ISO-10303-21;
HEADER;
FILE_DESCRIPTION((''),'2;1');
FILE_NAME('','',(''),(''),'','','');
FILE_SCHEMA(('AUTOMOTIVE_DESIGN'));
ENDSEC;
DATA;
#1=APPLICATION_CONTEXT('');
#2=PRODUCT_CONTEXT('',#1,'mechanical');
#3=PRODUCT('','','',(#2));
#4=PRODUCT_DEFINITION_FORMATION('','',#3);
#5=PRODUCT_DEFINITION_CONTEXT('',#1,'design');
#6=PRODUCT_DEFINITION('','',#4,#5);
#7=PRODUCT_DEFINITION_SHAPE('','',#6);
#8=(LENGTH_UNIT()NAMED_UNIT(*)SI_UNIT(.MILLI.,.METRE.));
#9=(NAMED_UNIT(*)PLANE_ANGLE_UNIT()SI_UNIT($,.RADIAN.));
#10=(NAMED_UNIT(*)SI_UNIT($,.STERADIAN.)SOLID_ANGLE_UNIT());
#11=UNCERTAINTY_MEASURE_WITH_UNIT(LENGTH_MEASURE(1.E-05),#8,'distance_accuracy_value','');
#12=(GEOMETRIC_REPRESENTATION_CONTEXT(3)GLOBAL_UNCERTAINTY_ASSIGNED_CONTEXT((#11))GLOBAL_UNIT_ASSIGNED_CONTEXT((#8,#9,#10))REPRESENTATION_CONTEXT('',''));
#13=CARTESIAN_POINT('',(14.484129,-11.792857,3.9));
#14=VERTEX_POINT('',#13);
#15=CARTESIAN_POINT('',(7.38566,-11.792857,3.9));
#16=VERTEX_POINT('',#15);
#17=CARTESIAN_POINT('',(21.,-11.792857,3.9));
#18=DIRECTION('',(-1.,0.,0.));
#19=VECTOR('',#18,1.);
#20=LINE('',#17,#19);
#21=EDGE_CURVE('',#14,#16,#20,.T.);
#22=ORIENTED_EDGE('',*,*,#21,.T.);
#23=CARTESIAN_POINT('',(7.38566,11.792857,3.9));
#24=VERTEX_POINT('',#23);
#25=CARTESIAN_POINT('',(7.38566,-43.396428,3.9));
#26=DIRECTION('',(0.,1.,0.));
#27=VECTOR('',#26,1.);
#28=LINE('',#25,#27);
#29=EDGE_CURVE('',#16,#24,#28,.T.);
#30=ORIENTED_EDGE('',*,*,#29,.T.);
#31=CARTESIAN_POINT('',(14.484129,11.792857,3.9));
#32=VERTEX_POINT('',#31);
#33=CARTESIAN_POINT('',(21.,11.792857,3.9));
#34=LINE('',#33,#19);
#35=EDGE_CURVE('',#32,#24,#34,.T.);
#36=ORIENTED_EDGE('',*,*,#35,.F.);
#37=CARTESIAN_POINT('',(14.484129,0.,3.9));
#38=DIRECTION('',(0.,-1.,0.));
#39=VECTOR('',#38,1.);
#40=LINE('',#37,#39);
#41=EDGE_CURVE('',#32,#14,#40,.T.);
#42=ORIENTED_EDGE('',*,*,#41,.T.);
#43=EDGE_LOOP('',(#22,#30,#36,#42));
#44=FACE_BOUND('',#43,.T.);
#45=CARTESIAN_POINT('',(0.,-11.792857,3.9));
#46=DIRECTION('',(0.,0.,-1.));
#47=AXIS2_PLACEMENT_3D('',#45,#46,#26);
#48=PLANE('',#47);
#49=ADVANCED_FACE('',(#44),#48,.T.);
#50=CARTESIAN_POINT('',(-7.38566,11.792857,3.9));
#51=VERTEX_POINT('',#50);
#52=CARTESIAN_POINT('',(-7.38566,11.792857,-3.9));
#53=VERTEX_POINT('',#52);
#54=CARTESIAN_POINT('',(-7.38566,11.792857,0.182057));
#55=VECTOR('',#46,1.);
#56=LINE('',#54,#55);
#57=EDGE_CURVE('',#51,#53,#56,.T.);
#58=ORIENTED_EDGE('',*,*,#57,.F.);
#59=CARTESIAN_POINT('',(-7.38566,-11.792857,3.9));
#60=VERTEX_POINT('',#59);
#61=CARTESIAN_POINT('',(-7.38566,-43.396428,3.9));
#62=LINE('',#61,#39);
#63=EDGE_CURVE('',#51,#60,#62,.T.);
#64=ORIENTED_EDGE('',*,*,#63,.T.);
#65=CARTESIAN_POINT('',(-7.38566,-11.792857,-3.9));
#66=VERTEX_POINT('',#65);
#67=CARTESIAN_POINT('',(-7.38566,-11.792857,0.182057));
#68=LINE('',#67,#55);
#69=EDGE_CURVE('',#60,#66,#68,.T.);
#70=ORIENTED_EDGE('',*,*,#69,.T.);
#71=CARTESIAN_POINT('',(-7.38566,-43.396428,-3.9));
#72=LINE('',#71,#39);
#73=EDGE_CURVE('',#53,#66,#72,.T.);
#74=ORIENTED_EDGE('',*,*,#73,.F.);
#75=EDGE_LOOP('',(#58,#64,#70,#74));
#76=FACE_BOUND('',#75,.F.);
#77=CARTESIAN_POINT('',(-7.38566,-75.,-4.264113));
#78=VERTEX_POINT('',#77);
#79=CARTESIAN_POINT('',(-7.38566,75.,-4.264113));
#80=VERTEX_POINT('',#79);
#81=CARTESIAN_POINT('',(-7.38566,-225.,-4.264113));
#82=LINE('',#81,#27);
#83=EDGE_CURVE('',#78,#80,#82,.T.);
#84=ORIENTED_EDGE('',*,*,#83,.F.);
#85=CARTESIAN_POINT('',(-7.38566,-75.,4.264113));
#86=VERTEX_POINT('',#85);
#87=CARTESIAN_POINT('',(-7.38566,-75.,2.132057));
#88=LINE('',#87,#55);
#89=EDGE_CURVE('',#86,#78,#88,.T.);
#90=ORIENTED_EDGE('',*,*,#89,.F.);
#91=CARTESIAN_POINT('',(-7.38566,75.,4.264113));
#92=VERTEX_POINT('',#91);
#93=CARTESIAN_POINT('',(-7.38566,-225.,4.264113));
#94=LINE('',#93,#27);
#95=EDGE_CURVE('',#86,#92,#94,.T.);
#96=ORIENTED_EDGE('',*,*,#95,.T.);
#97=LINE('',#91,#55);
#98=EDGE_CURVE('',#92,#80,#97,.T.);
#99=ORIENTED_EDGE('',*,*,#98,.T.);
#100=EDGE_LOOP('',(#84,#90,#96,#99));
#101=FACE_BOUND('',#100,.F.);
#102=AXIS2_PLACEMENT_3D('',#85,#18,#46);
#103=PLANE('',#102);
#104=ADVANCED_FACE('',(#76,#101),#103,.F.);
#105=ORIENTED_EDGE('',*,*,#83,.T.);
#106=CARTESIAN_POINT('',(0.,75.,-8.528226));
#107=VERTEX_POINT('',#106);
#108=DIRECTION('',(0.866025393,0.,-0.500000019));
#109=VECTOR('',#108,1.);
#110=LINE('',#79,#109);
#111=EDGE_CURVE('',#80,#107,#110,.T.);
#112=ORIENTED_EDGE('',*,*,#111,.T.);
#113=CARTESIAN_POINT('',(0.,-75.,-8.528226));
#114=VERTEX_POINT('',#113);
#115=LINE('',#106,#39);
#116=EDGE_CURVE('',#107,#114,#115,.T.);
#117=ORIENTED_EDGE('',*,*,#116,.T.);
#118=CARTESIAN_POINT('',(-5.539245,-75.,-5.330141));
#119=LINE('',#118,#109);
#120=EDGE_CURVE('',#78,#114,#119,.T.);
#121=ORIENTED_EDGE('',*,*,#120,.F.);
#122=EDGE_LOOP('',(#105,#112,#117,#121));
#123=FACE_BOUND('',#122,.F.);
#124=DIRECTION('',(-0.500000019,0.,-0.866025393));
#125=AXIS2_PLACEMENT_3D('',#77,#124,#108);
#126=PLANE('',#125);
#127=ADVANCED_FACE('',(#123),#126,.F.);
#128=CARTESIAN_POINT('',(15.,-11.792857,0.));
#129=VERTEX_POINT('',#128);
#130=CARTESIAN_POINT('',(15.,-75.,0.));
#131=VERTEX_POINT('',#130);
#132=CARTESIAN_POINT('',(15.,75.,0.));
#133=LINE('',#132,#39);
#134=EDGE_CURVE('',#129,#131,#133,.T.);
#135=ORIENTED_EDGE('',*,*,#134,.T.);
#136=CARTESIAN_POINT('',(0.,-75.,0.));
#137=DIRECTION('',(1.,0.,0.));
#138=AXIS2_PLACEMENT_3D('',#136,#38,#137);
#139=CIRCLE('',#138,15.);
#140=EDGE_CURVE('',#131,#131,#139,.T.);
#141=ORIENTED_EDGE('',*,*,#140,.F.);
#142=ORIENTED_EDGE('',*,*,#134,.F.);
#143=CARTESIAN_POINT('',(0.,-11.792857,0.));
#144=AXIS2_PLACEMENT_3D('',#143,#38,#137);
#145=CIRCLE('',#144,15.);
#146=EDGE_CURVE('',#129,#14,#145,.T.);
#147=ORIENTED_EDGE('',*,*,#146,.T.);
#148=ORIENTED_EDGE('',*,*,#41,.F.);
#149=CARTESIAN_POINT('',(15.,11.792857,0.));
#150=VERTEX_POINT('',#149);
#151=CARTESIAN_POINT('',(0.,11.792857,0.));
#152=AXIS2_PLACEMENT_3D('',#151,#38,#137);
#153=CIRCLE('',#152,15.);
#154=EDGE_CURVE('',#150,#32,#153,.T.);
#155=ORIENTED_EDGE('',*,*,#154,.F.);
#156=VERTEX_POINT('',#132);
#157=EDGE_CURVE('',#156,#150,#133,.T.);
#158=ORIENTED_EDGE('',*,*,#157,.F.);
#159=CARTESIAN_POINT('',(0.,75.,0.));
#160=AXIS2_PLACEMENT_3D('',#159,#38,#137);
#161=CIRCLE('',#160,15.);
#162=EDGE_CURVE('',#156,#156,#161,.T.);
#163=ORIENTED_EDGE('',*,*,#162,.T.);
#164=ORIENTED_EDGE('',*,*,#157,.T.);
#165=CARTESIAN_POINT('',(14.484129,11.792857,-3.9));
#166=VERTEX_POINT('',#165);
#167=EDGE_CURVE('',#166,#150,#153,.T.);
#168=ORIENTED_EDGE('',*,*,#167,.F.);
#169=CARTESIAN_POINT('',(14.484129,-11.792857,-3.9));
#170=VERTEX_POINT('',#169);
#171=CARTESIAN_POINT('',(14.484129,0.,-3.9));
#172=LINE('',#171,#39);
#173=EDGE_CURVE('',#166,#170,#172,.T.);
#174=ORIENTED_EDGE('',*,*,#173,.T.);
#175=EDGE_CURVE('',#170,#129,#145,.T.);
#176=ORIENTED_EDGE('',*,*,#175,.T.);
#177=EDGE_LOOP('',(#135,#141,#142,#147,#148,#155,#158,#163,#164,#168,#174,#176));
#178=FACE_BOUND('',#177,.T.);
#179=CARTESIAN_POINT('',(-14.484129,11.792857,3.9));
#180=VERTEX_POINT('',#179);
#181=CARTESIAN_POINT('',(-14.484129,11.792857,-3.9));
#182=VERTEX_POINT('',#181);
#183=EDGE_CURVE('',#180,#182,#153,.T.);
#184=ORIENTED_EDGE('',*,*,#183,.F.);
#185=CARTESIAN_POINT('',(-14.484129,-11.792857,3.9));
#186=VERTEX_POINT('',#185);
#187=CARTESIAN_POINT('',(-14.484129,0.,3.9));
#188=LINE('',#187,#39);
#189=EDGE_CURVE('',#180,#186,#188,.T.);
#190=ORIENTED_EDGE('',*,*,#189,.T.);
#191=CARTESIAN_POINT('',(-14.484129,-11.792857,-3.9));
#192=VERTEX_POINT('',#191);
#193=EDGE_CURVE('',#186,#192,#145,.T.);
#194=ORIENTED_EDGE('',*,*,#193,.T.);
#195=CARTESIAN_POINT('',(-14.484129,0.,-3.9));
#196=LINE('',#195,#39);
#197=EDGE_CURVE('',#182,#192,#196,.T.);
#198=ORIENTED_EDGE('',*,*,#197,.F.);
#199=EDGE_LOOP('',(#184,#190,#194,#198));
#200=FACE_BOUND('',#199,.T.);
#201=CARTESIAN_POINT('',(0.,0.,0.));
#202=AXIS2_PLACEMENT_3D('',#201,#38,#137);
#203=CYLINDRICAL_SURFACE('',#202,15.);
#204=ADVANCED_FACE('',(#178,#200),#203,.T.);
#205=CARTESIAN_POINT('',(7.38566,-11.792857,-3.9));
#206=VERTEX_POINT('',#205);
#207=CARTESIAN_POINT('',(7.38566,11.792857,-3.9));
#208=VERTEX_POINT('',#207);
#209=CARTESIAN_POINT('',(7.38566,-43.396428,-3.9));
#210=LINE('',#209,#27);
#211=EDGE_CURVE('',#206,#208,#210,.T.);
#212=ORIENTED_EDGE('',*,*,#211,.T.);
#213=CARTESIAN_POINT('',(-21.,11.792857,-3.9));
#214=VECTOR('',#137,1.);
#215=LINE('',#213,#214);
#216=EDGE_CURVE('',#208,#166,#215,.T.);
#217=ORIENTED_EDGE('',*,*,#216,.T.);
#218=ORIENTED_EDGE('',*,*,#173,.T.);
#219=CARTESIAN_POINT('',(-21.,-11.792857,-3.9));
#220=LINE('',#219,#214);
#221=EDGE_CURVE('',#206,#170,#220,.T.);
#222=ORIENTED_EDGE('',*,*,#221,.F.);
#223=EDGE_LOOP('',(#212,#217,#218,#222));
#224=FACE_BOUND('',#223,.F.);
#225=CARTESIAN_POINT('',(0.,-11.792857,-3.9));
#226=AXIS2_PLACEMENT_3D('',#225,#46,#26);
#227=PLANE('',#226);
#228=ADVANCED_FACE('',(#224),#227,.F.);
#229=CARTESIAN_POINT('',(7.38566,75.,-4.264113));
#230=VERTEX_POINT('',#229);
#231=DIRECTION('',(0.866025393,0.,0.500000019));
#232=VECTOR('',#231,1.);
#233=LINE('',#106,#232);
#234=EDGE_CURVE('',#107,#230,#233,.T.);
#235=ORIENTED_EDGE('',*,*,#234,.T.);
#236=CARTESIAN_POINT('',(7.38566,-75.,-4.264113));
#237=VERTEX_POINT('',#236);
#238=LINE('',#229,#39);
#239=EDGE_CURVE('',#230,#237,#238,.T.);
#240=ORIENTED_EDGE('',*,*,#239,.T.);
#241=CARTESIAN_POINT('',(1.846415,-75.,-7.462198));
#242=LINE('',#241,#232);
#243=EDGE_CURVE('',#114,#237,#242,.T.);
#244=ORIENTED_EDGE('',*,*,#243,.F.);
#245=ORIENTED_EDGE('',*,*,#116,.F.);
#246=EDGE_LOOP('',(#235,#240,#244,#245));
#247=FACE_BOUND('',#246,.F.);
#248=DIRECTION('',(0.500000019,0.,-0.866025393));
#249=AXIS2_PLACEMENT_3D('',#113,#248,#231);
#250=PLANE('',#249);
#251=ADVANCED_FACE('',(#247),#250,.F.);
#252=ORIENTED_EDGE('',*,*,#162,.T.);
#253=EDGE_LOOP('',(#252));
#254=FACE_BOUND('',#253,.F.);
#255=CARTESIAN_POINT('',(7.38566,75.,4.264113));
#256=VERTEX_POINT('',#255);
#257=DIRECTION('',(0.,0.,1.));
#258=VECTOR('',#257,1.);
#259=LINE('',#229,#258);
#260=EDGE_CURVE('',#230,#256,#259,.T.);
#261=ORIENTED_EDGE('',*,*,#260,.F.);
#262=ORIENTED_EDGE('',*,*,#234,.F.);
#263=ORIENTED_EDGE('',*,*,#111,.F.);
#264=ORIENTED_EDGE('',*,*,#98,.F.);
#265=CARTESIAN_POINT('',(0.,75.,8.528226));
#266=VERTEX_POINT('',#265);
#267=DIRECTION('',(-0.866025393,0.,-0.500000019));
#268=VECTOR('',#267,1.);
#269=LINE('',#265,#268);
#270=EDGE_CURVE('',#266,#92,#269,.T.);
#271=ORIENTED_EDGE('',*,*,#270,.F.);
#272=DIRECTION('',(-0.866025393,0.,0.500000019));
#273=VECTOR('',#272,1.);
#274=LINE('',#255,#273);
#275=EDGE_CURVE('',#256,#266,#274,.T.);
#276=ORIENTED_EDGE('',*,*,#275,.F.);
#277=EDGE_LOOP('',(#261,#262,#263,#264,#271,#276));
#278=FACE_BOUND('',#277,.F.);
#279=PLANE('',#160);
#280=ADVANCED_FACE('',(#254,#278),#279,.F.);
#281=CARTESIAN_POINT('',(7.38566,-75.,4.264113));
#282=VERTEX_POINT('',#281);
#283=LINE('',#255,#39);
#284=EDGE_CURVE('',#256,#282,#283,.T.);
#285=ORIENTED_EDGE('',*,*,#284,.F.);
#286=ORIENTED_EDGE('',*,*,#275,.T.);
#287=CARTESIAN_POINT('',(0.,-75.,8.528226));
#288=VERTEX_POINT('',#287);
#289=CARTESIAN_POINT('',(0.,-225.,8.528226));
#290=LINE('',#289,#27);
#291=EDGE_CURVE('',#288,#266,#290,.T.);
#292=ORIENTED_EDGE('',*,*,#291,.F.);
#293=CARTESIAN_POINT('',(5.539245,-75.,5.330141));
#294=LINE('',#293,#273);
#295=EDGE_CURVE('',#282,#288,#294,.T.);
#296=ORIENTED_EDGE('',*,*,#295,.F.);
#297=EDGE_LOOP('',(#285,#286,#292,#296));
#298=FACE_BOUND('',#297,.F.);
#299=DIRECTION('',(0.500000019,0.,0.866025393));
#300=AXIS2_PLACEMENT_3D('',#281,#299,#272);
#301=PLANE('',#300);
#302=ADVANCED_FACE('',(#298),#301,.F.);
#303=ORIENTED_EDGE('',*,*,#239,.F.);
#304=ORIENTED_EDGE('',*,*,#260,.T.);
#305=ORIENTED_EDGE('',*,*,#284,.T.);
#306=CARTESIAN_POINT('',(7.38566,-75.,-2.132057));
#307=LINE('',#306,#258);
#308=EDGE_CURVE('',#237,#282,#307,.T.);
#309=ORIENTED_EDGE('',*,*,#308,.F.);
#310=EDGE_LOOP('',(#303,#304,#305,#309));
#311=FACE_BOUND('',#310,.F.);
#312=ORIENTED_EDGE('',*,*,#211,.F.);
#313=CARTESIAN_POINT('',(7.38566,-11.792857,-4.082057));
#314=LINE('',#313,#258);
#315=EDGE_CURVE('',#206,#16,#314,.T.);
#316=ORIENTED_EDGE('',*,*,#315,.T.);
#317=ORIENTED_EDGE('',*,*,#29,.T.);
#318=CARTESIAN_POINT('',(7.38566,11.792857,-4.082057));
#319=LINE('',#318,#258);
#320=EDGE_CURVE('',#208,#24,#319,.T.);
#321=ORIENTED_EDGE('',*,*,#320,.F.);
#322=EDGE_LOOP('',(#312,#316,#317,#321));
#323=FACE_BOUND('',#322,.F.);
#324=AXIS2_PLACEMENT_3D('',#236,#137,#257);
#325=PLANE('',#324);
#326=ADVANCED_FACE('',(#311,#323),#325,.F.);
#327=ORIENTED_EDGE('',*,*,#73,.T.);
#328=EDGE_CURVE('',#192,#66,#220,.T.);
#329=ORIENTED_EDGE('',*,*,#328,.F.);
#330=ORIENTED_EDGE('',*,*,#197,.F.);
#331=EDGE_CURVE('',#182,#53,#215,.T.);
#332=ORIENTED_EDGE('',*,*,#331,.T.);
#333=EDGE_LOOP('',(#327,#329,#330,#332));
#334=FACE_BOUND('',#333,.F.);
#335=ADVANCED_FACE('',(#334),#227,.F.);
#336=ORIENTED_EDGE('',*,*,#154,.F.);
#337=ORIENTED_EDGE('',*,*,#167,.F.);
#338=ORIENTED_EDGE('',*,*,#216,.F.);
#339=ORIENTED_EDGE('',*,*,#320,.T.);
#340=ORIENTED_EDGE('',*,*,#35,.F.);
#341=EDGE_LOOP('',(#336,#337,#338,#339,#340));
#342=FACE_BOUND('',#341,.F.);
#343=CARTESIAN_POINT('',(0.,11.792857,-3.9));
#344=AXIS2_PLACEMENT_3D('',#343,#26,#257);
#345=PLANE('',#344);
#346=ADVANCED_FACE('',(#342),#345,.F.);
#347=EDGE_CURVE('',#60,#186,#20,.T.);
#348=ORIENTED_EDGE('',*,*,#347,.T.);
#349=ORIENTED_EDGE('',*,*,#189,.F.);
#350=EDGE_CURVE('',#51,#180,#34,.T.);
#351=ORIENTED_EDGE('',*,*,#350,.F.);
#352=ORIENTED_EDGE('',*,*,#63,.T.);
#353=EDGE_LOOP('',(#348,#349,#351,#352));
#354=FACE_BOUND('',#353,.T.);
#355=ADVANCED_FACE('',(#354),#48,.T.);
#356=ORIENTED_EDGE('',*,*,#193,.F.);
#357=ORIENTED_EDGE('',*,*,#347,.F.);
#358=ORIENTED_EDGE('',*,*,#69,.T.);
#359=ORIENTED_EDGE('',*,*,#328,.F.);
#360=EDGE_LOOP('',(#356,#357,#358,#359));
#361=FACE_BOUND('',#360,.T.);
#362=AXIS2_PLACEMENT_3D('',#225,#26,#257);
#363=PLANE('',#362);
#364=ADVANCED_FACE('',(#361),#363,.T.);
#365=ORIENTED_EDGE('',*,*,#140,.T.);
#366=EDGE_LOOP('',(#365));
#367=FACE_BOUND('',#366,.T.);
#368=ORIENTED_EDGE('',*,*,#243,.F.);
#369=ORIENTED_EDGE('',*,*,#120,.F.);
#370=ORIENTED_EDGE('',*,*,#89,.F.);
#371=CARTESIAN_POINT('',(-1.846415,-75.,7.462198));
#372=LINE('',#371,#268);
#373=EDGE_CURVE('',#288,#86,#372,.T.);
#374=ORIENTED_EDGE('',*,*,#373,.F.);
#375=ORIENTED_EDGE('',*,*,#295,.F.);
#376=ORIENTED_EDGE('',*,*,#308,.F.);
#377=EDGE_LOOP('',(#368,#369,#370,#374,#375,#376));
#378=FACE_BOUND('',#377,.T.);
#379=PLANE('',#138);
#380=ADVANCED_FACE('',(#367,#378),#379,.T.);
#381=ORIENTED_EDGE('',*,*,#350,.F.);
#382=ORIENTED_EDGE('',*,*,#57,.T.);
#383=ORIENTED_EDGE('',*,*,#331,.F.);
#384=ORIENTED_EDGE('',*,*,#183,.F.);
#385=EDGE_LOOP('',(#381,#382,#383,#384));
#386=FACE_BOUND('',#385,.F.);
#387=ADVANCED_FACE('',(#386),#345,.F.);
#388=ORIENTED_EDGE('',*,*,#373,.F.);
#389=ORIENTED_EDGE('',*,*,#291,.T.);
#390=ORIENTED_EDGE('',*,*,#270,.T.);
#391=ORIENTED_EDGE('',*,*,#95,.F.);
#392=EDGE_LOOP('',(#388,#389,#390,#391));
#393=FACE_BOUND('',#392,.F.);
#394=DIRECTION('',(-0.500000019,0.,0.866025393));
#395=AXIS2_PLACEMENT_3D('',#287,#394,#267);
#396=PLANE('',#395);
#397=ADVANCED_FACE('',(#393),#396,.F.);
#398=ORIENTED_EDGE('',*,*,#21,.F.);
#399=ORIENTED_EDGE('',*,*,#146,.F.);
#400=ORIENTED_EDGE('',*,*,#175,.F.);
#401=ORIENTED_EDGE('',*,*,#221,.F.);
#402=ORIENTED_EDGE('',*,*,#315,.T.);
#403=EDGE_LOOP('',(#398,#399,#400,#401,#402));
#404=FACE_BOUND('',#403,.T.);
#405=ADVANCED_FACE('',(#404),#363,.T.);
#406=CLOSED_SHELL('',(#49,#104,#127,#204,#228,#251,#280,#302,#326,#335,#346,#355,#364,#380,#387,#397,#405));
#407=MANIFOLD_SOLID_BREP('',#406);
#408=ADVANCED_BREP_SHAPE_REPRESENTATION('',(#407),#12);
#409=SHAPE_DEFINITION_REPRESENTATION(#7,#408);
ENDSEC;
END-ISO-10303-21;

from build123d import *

# Parameters (mm, degrees)
F0_R     = 15
F1_DEPTH = 75
F3_DEPTH = 150
F4_W     = 23.585714
F4_H     = 7.8
F5_DEPTH = 21


with BuildPart() as f1:
    # F0 (on Front) → F1 (new body, symmetric)
    with BuildSketch(Plane.XZ):
        Circle(F0_R)
    extrude(amount=F1_DEPTH, both=True)

    # F2 (on face) → F3 (cut, symmetric)
    with BuildSketch(Plane.XZ.offset(75)):
        Polygon((-7.38566, -4.264113), (0, -8.528226), (7.38566, -4.264113), (7.38566, 4.264113), (0, 8.528226), (-7.38566, 4.264113), align=None)
    extrude(amount=F3_DEPTH, both=True, mode=Mode.SUBTRACT)

    # F4 (on Right) → F5 (cut, symmetric)
    with BuildSketch(Plane.YZ):
        Rectangle(F4_W, F4_H)
    extrude(amount=F5_DEPTH, both=True, mode=Mode.SUBTRACT)


solid = f1.part
